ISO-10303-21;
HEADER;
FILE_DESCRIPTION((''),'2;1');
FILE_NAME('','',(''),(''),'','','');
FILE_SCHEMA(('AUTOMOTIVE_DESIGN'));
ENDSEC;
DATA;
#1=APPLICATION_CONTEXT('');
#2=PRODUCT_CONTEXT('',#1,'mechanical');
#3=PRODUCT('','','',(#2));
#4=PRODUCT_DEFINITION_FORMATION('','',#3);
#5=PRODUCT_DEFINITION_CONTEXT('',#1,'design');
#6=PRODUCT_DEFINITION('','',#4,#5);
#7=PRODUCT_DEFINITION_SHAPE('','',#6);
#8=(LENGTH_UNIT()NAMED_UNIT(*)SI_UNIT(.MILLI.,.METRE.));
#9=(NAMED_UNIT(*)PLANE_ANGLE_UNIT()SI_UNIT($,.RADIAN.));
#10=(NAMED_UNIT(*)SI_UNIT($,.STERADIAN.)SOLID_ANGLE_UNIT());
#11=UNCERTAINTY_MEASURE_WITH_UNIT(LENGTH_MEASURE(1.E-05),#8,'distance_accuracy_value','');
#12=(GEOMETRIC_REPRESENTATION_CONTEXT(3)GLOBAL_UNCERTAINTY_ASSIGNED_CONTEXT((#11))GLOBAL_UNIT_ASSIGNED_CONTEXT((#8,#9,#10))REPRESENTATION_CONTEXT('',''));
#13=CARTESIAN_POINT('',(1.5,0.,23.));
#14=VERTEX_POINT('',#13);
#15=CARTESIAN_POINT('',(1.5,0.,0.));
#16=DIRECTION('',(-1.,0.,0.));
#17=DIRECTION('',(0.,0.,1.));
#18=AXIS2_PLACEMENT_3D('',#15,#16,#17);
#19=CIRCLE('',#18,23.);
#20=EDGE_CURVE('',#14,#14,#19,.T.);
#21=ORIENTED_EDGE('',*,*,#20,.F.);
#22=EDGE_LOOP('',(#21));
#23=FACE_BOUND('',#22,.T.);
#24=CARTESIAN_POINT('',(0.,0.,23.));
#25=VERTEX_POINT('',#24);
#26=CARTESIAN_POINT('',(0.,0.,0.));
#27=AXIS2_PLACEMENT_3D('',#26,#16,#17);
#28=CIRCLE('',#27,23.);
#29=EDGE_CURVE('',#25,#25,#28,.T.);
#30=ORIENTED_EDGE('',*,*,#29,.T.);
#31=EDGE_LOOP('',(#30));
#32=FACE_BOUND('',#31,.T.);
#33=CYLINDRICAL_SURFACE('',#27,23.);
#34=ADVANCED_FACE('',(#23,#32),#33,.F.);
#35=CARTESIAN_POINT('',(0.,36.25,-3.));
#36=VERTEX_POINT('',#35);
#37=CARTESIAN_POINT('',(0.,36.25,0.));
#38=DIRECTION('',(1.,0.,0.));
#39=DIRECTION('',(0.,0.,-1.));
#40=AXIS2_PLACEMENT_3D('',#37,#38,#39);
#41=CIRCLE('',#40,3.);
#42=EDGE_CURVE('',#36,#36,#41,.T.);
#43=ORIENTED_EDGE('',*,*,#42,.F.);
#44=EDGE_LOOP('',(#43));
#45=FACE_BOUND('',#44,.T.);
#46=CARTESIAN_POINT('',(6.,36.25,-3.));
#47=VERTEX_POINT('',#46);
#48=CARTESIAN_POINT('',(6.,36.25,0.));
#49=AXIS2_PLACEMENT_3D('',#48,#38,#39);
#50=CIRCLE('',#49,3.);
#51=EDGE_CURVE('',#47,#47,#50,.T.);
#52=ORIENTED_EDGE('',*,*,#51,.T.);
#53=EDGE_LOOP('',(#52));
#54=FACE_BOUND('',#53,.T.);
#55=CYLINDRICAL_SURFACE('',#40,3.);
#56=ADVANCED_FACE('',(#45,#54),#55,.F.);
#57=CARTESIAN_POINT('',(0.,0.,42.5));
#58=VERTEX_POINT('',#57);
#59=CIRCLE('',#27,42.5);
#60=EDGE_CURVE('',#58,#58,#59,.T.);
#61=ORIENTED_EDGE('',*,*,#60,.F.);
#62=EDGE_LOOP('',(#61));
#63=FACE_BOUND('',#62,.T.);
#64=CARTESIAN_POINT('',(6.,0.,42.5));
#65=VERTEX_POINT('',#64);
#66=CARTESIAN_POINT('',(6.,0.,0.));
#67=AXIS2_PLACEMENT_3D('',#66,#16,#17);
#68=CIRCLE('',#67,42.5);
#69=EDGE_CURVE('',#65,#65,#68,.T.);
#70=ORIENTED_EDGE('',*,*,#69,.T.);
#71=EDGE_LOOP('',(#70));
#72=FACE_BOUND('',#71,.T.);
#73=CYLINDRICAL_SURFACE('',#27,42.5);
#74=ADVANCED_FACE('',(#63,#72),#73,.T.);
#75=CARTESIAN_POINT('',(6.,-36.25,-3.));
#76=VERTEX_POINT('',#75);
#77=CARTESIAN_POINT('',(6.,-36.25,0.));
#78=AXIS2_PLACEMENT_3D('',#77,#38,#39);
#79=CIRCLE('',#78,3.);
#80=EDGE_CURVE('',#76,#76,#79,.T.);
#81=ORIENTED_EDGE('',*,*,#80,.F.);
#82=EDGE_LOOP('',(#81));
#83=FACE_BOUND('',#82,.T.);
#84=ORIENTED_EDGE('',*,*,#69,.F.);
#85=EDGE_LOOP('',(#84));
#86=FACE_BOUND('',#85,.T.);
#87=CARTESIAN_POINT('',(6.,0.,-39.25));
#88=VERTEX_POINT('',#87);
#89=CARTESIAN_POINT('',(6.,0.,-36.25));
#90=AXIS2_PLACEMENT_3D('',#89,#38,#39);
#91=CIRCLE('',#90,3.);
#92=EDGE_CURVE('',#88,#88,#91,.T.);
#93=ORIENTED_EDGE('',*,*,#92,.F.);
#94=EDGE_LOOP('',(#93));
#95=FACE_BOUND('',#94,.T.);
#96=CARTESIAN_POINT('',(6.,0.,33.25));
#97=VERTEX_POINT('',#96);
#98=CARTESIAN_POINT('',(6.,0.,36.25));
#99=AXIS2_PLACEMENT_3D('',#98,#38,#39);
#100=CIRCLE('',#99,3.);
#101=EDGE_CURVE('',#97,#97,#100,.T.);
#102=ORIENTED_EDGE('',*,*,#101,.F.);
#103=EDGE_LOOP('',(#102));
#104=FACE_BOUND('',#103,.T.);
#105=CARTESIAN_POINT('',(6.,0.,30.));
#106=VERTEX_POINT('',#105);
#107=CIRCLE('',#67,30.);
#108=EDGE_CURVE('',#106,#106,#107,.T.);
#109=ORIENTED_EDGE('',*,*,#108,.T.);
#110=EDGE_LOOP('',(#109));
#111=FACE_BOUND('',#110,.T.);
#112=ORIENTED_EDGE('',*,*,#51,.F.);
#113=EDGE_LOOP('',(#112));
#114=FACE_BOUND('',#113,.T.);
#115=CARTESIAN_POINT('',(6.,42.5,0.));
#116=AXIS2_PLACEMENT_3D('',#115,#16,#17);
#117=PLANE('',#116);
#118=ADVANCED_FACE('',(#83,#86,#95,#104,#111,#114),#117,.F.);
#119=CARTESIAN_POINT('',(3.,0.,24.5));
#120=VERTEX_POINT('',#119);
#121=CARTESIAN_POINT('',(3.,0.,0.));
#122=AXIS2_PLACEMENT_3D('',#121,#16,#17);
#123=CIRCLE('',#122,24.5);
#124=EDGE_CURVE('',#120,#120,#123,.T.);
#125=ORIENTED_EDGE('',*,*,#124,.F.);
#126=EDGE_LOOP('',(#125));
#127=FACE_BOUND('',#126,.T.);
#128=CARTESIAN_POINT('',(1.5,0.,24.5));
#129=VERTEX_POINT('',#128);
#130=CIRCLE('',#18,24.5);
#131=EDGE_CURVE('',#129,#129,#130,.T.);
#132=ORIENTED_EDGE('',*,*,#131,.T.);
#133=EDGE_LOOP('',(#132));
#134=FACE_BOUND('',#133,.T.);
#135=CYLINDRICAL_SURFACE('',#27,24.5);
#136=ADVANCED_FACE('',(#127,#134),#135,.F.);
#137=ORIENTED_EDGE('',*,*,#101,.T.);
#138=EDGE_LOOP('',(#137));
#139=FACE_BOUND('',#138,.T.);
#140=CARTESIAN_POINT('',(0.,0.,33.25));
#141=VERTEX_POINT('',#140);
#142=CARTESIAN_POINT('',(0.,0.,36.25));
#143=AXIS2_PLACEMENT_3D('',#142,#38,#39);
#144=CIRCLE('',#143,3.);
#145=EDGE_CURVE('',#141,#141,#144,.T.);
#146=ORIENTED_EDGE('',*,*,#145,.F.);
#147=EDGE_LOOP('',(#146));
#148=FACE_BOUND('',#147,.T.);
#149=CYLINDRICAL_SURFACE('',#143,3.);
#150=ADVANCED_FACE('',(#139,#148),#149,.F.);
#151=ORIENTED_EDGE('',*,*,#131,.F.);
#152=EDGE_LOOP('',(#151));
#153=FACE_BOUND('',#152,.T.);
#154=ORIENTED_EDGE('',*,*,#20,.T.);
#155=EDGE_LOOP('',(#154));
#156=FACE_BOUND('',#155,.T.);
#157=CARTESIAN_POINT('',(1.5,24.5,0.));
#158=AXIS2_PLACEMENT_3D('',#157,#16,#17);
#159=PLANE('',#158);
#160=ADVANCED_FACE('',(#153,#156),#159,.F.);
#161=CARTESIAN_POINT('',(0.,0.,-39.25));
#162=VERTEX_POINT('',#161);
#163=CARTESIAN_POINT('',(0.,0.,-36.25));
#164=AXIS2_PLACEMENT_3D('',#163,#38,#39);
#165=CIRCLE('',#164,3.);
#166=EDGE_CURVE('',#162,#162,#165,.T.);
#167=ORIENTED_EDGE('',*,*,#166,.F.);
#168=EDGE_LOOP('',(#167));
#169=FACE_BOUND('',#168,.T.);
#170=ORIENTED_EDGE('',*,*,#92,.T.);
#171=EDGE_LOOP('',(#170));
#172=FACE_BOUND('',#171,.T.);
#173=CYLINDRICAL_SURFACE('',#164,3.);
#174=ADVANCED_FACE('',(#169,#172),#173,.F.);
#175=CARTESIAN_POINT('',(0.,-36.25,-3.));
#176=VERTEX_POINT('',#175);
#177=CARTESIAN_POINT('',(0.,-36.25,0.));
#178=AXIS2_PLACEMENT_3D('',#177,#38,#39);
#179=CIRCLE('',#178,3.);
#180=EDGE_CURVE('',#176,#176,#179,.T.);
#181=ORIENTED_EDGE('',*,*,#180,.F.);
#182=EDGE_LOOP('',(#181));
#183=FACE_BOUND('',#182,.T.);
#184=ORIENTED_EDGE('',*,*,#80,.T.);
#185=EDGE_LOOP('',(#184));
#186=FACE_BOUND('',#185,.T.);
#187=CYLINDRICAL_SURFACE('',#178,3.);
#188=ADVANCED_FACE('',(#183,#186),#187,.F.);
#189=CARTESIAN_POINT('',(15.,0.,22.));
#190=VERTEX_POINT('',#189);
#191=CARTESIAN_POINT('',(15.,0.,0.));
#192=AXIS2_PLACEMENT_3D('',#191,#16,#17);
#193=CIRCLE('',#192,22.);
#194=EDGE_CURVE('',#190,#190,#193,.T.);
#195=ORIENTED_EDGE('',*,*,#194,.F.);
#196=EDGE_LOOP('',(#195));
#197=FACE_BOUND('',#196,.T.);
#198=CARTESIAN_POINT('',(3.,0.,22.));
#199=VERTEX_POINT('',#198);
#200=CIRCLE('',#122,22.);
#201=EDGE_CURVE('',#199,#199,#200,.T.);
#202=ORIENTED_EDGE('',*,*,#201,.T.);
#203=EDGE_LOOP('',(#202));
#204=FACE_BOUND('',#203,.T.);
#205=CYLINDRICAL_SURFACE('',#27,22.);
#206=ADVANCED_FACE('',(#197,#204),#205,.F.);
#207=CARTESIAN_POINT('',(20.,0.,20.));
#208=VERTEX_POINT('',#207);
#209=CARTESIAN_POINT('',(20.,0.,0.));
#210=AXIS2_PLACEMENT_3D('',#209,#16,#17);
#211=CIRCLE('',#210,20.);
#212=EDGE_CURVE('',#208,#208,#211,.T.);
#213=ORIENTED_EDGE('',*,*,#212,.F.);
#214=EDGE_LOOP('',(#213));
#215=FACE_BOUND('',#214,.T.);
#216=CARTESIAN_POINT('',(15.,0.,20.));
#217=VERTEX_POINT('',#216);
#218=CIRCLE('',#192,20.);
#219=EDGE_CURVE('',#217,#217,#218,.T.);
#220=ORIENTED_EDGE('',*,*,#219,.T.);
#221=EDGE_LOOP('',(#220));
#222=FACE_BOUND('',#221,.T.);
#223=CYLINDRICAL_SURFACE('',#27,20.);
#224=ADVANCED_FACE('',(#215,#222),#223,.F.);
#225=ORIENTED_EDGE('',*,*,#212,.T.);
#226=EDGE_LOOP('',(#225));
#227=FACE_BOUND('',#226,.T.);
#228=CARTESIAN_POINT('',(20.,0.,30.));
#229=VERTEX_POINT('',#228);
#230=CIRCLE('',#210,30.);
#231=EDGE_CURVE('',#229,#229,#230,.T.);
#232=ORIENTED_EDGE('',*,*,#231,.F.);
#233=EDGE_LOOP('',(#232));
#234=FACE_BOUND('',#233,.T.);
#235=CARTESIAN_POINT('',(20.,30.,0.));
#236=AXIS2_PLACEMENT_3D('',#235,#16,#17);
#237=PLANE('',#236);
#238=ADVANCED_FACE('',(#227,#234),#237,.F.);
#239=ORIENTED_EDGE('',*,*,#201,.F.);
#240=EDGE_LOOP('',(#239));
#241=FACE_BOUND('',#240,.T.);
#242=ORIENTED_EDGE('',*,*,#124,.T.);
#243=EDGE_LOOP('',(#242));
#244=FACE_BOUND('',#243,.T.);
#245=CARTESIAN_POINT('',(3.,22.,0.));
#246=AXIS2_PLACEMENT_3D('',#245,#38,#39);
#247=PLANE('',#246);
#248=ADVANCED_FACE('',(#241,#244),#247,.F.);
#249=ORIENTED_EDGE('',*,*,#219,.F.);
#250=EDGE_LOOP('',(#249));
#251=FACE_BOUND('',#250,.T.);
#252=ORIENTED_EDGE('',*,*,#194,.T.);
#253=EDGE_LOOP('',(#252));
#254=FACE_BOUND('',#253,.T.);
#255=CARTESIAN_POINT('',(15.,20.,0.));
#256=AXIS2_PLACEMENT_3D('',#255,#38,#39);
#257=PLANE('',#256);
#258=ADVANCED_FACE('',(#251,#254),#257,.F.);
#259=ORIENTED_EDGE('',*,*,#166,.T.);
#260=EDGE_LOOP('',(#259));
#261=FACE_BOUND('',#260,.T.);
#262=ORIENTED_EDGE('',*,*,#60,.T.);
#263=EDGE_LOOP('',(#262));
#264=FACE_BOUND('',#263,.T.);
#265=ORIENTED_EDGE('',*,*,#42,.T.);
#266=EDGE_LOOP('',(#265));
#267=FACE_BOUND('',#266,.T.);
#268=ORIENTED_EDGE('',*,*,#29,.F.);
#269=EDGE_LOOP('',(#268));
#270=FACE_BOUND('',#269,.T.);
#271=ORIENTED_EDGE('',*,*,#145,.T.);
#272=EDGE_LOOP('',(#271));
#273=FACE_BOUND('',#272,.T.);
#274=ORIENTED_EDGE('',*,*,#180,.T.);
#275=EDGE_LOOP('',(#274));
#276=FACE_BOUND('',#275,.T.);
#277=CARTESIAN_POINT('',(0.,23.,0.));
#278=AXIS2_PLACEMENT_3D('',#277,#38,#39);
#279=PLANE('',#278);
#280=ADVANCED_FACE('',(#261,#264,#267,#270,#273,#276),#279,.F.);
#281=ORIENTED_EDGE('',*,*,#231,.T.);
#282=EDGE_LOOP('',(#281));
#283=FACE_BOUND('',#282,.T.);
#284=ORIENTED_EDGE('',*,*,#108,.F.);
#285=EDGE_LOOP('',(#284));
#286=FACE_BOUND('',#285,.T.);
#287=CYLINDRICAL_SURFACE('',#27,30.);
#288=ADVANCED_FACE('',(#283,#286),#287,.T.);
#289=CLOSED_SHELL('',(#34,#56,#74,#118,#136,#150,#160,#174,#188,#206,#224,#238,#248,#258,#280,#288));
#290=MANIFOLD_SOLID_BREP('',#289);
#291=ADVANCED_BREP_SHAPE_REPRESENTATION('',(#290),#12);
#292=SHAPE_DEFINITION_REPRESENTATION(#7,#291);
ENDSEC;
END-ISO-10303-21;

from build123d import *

# Parameters (mm, degrees)
ESBO_O2_R             = 3
CORTE_EXTRUS_O1_DEPTH = 7


with BuildPart() as part:
    # Esboço1 → Revolução1 (revolve)
    with BuildSketch(Plane.XY):
        Polygon((0, 23), (0, 42.5), (6, 42.5), (6, 30), (20, 30), (20, 20), (15, 20), (15, 22), (3, 22), (3, 24.5), (1.5, 24.5), (1.5, 23), align=None)
    revolve(axis=Axis((0, 0, 0), (1, 0, 0)))

    # Esboço2 → Corte-extrusão1 (cut, through all)
    with BuildSketch(Plane(origin=(6, 0, 0), x_dir=(0, 0, -1), z_dir=(1, 0, 0))):
        with Locations((0, 36.25)):
            Circle(ESBO_O2_R)
        with Locations((36.25, 0)):
            Circle(ESBO_O2_R)
        with Locations((0, -36.25)):
            Circle(ESBO_O2_R)
        with Locations((-36.25, 0)):
            Circle(ESBO_O2_R)
    extrude(amount=-CORTE_EXTRUS_O1_DEPTH, mode=Mode.SUBTRACT)


solid = part.part
